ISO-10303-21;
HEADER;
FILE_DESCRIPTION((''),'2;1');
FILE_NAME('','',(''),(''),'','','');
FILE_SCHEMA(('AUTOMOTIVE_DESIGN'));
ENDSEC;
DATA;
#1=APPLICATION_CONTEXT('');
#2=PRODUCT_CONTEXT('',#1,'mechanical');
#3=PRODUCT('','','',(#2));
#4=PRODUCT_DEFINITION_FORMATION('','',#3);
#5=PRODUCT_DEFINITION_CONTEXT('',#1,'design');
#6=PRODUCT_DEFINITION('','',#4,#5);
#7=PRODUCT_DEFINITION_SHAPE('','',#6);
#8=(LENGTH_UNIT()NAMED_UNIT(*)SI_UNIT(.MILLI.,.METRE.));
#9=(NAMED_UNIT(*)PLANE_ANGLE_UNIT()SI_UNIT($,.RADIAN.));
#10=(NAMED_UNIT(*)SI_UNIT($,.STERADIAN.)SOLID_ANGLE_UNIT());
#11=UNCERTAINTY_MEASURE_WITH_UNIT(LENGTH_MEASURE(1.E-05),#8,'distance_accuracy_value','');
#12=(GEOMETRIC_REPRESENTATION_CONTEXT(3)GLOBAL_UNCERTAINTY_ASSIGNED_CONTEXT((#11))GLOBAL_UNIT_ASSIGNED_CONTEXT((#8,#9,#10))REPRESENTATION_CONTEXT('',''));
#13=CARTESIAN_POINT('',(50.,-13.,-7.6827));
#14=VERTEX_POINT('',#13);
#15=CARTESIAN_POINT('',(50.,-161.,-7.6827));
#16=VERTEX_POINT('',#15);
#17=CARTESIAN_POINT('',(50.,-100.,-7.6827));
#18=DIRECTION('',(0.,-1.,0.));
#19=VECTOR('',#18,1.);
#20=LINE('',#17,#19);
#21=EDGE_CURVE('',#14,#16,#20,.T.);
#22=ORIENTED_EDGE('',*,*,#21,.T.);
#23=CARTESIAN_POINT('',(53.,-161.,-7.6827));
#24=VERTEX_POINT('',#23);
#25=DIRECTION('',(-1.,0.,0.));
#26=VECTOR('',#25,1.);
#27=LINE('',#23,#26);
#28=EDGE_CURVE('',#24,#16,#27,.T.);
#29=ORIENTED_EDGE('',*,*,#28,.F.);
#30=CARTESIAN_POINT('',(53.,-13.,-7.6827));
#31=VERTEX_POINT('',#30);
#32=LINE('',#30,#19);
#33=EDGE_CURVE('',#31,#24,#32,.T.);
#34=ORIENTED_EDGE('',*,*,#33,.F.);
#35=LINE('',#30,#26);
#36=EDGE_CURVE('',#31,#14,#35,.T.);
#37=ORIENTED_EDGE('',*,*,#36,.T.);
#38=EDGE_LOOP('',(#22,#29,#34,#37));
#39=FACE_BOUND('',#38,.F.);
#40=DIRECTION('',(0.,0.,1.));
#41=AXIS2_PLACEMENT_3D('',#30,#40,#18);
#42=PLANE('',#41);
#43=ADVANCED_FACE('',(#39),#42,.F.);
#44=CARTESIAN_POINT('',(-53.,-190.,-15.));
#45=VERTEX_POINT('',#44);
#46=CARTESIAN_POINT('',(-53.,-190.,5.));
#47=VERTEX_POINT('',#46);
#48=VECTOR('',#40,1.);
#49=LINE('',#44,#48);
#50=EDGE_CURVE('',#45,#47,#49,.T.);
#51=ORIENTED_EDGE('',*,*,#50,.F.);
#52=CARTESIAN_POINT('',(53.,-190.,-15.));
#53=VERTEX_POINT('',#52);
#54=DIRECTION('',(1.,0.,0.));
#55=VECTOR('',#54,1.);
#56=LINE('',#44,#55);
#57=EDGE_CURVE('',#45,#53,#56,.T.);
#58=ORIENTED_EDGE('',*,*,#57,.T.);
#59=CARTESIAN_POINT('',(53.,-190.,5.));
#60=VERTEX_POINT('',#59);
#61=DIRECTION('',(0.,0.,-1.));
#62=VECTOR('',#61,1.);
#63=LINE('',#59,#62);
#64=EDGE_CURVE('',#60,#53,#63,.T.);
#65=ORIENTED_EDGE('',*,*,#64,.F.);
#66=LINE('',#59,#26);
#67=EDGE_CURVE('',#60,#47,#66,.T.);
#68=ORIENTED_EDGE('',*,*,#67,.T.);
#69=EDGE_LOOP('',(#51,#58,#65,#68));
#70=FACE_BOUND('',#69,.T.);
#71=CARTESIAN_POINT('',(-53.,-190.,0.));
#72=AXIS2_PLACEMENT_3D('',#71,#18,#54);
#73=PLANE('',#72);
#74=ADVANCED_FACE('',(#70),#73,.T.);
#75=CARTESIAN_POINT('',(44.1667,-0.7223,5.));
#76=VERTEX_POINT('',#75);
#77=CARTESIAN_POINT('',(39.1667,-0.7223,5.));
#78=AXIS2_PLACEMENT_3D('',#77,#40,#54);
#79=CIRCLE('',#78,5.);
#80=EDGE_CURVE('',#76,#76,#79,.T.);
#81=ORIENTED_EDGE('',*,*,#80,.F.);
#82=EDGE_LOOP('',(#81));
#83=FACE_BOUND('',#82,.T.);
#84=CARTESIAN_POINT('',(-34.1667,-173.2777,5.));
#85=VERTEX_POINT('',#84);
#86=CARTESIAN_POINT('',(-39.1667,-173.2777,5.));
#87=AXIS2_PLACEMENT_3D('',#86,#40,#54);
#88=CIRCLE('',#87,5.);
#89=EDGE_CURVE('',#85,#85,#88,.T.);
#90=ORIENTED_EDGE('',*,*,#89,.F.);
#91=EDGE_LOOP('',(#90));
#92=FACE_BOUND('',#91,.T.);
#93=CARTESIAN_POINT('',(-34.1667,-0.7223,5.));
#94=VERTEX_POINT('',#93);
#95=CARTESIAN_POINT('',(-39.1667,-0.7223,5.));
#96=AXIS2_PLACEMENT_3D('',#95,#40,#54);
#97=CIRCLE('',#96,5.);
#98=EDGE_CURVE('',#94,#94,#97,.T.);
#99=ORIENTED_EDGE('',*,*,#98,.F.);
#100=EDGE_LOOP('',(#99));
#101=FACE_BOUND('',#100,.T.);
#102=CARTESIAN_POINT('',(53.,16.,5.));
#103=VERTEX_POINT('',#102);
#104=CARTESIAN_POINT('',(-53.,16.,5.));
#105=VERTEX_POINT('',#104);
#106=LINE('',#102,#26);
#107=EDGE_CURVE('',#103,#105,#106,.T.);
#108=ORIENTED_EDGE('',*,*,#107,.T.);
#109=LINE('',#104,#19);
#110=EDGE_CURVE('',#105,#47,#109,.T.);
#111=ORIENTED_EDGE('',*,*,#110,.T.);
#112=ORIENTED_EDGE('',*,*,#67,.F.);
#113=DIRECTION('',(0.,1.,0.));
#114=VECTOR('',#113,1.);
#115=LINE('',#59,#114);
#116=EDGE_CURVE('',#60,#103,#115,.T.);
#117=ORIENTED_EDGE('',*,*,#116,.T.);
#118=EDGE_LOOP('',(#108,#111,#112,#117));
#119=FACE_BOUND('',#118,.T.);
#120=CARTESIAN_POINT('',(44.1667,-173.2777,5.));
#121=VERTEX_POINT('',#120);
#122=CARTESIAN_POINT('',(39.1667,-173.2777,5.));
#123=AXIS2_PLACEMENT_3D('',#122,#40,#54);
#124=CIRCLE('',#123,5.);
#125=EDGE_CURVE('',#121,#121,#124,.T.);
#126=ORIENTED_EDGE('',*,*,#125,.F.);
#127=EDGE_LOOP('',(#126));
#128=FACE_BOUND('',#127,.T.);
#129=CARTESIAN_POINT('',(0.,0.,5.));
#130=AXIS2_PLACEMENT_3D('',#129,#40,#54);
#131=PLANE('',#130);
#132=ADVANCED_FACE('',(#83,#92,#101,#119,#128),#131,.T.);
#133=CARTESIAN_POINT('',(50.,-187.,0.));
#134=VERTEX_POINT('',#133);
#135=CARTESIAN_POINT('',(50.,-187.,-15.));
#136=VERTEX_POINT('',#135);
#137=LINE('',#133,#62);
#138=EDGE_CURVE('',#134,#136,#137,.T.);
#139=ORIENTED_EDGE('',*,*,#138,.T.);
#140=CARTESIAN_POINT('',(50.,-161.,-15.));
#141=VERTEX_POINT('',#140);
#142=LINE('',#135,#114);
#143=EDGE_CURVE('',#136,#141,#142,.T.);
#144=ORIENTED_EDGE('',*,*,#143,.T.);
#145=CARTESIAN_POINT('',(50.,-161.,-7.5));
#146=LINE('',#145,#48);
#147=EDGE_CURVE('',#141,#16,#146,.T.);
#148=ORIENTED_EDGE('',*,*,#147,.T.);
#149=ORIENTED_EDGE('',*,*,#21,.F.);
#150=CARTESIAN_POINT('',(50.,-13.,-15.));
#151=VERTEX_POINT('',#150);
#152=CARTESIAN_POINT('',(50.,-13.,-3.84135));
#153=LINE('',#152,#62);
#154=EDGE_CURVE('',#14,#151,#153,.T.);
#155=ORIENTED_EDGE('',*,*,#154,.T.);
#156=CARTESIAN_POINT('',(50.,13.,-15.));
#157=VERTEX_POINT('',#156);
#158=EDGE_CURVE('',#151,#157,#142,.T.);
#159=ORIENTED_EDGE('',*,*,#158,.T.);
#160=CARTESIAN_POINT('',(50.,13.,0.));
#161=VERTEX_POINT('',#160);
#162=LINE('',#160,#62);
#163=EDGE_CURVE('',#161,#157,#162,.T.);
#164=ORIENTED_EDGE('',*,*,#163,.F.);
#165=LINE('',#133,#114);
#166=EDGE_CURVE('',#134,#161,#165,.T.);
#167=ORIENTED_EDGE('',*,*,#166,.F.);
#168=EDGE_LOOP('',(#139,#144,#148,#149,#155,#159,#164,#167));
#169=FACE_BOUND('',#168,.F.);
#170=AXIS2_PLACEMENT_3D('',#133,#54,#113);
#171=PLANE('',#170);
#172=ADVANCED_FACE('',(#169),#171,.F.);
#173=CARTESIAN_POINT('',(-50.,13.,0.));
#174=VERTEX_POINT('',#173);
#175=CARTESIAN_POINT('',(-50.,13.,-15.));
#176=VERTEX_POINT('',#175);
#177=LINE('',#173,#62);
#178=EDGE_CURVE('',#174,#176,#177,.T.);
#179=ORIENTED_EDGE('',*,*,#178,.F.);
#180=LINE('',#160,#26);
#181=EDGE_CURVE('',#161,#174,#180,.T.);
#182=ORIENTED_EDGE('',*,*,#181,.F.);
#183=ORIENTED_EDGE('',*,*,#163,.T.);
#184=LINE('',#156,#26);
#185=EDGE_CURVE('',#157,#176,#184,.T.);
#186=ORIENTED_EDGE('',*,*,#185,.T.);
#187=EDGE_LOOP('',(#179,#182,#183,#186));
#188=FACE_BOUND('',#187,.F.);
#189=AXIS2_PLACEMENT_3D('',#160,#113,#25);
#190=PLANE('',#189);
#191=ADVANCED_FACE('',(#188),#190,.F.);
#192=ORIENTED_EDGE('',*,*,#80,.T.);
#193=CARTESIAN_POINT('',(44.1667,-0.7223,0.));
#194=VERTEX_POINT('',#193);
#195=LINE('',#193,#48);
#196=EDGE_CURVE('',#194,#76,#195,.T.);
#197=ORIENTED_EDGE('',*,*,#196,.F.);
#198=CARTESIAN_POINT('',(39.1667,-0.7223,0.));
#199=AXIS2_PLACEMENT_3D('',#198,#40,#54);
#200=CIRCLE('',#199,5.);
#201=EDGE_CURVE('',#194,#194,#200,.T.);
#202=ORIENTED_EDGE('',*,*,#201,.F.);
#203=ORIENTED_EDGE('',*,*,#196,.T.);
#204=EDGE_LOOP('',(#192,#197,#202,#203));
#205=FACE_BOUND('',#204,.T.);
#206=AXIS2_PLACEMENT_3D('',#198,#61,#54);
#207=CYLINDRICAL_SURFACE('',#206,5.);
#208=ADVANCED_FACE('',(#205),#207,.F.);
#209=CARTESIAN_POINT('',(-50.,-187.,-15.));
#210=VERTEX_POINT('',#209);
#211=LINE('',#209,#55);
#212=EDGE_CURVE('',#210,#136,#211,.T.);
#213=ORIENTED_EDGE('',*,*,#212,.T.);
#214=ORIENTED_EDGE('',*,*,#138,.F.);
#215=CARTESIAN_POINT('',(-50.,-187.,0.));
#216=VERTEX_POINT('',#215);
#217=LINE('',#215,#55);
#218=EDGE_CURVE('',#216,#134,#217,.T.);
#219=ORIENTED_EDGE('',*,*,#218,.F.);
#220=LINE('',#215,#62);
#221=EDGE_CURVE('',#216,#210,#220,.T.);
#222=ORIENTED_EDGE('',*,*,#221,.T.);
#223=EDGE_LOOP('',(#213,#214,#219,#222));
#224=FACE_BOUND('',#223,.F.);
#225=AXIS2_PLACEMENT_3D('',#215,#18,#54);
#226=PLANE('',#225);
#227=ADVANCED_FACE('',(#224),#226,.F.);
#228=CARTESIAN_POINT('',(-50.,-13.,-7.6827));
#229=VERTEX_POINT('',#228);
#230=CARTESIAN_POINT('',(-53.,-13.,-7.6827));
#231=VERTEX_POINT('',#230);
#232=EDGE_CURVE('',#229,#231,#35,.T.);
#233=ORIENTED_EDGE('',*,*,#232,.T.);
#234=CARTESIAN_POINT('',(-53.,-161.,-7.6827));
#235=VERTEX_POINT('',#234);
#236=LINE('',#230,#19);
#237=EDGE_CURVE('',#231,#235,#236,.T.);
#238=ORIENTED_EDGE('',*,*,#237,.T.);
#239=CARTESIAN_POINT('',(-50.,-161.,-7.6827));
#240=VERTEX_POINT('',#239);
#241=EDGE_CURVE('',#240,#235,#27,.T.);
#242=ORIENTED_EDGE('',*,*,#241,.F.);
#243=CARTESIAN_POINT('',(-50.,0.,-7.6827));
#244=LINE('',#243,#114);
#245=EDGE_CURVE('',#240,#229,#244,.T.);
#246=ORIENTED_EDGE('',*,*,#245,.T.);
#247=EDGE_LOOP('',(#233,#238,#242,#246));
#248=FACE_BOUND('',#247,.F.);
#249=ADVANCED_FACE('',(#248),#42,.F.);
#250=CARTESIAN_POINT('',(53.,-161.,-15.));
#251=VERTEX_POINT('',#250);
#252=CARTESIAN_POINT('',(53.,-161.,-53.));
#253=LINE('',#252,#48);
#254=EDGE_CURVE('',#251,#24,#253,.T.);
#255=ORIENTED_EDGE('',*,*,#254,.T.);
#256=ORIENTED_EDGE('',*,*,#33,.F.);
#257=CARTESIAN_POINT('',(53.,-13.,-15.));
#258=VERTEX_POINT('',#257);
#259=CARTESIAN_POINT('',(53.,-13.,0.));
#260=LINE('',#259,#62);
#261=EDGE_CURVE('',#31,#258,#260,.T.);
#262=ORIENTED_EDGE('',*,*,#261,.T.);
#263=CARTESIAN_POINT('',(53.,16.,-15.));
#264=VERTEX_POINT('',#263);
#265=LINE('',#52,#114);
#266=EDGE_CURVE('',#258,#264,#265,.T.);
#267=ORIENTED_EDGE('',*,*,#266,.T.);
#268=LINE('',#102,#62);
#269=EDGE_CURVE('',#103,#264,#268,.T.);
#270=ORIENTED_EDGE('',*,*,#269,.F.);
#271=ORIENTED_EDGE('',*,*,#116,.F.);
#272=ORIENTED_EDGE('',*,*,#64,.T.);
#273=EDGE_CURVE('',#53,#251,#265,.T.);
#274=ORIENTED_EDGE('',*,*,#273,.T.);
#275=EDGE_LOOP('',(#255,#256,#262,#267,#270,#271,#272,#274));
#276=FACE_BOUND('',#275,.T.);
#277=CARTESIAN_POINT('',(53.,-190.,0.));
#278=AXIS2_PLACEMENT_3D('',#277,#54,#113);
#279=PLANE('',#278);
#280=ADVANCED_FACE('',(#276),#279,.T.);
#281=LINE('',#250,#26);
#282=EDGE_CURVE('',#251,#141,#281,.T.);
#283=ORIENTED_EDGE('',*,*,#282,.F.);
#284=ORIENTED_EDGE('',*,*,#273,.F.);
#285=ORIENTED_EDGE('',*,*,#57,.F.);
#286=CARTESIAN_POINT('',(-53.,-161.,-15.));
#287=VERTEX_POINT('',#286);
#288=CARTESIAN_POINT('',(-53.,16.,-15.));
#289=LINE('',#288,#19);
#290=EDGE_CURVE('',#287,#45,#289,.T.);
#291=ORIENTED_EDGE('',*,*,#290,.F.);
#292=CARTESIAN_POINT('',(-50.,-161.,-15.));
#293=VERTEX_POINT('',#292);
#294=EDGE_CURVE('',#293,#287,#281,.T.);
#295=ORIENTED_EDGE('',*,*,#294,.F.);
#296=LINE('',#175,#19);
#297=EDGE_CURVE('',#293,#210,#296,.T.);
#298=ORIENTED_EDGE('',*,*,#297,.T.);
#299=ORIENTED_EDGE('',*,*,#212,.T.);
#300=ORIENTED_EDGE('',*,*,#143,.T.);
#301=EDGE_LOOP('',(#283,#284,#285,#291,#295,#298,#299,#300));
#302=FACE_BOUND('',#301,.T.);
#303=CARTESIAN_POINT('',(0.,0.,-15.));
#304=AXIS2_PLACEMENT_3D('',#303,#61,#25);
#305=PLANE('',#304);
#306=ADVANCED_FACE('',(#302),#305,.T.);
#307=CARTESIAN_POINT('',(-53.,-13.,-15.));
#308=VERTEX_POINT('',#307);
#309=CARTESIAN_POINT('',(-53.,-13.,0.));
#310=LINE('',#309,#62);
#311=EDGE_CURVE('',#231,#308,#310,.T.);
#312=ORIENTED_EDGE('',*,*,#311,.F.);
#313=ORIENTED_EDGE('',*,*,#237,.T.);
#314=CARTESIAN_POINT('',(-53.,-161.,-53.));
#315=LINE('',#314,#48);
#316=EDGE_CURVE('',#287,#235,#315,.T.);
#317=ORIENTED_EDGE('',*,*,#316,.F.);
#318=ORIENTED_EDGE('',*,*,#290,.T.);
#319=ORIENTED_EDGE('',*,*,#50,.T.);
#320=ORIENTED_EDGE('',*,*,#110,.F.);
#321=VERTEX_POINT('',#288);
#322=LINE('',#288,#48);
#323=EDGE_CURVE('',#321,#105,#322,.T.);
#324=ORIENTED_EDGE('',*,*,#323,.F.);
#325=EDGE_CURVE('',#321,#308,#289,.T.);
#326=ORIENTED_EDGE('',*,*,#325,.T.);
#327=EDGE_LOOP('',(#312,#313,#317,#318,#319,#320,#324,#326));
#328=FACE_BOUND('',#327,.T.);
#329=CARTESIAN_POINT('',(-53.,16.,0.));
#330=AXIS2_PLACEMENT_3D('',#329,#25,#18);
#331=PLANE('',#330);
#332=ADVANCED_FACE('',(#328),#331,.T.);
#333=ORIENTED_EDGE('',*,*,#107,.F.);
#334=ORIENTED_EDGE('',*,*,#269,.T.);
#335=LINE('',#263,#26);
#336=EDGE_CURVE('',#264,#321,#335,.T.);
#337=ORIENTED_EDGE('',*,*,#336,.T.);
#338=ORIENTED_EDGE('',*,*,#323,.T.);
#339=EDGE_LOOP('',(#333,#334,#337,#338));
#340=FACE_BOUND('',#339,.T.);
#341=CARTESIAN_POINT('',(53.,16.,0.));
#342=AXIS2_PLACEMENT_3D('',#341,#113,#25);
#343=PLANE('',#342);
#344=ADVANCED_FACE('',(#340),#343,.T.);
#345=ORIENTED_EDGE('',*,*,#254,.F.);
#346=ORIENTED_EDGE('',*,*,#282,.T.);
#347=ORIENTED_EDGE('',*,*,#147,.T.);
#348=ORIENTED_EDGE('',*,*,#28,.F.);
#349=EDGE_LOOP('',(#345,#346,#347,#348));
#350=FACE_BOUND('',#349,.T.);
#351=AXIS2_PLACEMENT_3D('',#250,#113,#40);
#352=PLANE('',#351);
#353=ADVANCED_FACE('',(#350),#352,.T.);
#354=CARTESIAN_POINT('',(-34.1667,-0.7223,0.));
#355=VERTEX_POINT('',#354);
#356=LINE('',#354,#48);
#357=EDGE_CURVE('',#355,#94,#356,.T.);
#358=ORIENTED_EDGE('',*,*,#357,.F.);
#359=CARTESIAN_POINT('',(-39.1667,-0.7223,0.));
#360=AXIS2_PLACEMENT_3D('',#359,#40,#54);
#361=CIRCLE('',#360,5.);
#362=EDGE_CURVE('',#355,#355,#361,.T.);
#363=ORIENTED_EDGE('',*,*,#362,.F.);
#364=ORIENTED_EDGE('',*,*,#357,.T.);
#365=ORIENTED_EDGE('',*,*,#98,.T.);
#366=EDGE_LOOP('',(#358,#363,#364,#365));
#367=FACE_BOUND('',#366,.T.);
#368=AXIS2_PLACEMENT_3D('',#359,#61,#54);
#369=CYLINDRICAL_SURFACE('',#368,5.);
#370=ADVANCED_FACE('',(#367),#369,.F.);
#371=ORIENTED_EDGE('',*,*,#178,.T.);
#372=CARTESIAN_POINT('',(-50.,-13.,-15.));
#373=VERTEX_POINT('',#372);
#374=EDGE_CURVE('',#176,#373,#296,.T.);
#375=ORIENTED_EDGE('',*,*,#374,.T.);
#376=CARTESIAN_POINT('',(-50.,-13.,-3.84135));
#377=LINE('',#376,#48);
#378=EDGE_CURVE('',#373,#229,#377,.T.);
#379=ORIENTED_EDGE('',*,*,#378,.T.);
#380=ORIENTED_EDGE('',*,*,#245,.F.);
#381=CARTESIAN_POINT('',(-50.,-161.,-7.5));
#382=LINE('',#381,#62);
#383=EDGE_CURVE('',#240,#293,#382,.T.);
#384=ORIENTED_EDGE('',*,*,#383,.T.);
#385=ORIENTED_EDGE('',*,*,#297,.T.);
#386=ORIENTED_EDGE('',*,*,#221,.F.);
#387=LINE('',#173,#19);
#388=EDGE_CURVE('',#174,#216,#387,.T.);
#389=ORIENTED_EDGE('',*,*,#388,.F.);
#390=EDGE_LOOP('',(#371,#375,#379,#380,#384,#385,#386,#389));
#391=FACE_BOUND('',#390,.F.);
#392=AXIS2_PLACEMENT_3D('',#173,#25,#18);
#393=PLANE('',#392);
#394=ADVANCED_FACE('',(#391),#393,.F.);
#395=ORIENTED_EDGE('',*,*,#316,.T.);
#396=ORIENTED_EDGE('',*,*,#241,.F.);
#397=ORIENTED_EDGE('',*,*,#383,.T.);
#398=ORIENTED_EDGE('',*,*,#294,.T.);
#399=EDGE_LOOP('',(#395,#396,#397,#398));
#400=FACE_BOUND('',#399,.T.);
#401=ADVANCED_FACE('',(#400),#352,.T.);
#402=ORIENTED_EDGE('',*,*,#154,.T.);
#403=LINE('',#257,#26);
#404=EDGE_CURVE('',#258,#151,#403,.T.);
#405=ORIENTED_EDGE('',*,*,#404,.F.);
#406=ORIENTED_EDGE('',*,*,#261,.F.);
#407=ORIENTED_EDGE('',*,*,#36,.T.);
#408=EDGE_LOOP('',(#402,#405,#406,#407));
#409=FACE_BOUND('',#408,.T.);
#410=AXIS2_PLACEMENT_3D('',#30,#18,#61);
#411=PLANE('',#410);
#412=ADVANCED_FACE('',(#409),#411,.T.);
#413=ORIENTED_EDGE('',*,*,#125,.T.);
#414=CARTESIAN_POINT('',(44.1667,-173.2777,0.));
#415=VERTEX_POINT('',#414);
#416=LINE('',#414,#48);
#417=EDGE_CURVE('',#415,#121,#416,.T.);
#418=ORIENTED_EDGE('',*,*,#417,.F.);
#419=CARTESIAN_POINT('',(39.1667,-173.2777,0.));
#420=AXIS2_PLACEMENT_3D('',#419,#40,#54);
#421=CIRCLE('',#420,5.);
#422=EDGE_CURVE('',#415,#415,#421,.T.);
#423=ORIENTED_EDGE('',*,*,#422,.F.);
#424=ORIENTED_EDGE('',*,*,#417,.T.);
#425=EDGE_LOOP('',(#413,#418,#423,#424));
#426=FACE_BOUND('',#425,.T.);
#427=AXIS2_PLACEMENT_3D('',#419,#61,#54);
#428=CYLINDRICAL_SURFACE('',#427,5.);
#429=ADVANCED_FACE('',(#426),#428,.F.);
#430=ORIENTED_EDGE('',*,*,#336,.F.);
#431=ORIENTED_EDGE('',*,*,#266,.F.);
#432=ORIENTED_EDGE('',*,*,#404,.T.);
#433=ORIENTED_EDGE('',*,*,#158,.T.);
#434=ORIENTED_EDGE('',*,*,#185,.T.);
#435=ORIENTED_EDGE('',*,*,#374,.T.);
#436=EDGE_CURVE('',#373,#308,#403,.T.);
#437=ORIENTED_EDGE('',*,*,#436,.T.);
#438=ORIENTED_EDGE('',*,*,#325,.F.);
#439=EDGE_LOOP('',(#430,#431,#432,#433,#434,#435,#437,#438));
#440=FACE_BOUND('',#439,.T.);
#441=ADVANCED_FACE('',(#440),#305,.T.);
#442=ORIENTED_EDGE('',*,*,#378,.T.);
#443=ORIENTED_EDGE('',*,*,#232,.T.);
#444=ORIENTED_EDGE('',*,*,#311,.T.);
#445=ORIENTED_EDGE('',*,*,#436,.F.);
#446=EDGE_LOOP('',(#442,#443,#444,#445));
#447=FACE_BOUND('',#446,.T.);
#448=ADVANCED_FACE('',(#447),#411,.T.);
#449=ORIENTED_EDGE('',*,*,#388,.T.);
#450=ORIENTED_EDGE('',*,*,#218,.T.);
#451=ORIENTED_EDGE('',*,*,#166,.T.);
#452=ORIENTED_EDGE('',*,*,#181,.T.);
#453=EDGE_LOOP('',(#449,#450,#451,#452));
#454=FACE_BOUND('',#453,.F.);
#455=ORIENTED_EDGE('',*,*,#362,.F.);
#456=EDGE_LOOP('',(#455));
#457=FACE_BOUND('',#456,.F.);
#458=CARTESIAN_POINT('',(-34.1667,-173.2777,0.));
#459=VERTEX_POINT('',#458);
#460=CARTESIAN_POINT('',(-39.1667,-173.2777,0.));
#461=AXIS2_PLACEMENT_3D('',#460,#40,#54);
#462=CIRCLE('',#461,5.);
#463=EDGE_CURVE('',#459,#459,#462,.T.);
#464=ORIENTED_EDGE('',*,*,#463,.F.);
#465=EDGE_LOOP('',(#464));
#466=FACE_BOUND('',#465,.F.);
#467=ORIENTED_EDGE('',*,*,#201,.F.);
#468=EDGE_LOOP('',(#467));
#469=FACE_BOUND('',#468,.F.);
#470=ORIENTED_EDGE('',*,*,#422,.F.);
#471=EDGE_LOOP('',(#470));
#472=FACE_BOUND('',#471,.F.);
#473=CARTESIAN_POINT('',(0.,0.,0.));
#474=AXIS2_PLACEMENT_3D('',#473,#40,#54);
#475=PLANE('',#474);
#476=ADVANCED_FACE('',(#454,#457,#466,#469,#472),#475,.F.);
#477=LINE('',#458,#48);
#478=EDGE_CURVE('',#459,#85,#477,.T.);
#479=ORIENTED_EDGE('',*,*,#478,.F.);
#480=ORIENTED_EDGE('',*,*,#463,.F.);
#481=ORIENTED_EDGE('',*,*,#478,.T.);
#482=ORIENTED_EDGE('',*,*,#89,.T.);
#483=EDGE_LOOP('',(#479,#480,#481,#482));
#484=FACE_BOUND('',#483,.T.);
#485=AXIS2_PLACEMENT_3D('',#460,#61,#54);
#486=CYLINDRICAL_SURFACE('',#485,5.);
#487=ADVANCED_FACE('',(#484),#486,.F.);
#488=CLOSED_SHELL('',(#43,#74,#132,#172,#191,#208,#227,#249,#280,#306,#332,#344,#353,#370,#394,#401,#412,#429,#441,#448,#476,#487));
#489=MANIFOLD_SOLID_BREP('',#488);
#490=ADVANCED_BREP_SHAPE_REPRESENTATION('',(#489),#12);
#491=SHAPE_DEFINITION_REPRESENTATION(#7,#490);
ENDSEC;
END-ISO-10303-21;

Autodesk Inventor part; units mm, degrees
ref_plane "YZ Plane" through (0, 0, 0) normal (1, 0, 0) x (0, 1, 0)
ref_plane "XZ Plane" through (0, 0, 0) normal (0, 1, 0) x (-1, 0, 0)
ref_plane "Work Plane1" through (0, 0, 0) normal (0, 0, 1) x (1, 0, 0)
sketch "Sketch1" plane through (0, 0, 0) normal (0, 0, 1) x (1, 0, 0)
  circle A0 centre (39.1667, -0.7223) radius 5 projected
  circle A1 centre (-39.1667, -0.7223) radius 5 projected
  line L0 (-50, -13) -> (-28.3333, -13) projected
  line L1 (-28.3333, -13) -> (-28.3333, 10) projected
  line L2 (-28.3333, 10) -> (28.3333, 10) projected
  line L3 (28.3333, -13) -> (28.3333, 10) projected
  line L4 (28.3333, -13) -> (50, -13) projected
  line L5 (50, -13) -> (50, 13) projected
  line L6 (50, 13) -> (-50, 13) projected
  line L7 (-50, 13) -> (-50, -13) projected
  line L8 (28.3333, -161) -> (31.3333, -161) projected
  line L9 (31.3333, -161) -> (31.3333, -13) projected
  line L10 (31.3333, -13) -> (28.3333, -13) projected
  line L11 (28.3333, -13) -> (28.3333, -161) projected
  circle A2 centre (39.1667, -173.2777) radius 5 projected
  circle A3 centre (-39.1667, -173.2777) radius 5 projected
  line L12 (50, -161) -> (28.3333, -161) projected
  line L13 (28.3333, -161) -> (28.3333, -184) projected
  line L14 (28.3333, -184) -> (-28.3333, -184) projected
  line L15 (-28.3333, -161) -> (-28.3333, -184) projected
  line L16 (-28.3333, -161) -> (-50, -161) projected
  line L17 (-50, -161) -> (-50, -187) projected
  line L18 (-50, -187) -> (50, -187) projected
  line L19 (50, -187) -> (50, -161) projected
  line L20 (-31.3333, -161) -> (-28.3333, -161) projected
  line L21 (-28.3333, -161) -> (-28.3333, -13) projected
  line L22 (-28.3333, -13) -> (-31.3333, -13) projected
  line L23 (-31.3333, -13) -> (-31.3333, -161) projected
  line L24 (-31.3333, -161) -> (-28.3333, -161) projected
  line L25 (-28.3333, -161) -> (-28.3333, -13) projected
  line L26 (-28.3333, -13) -> (-31.3333, -13) projected
  line L27 (-31.3333, -13) -> (-31.3333, -161) projected
  line L28 (53, 16) -> (-53, 16)
  line L29 (-53, 16) -> (-53, -187)
  line L30 (53, -187) -> (53, 16)
  line L31 (53, 16) -> (-53, -187) construction
  line L32 (-53, 16) -> (53, -187) construction
  line L33 (53, -187) -> (53, -190)
  line L34 (53, -190) -> (-53, -190)
  line L35 (-53, -190) -> (-53, -187)
  point P0 (0, 0)
  point P1 (0, -85.5)
  dimension "d0" = 106
  dimension "d1" = 203
  dimension "d2" = 3
extrude "Extrusion1" add sketch "Sketch1" along normal blind 5 contours L7 L6 L5 L4 L3 L2 L1 L0 | L0 L21 L16 L23 | L1 L2 L3 L11 L13 L14 L15 L21 | L16 L15 L14 L13 L8 L12 L19 L18 L17 | L9 L8 L11 L4 | L30 L33 L34 L35 L29 L28
sketch "Sketch2" plane through (0, 0, 0) normal (0, 0, -1) x (-1, 0, 0)
  line L0 (-53, 16) -> (53, 16) projected
  line L1 (-53, -190) -> (-53, 16) projected
  line L2 (53, -190) -> (-53, -190) projected
  line L3 (53, 16) -> (53, -190) projected
  line L4 (-50, 13) -> (50, 13)
  line L5 (50, 13) -> (50, -187)
  line L6 (50, -187) -> (-50, -187)
  line L7 (-50, -187) -> (-50, 13)
  point P0 (0, 0)
  dimension "d5" = 3
extrude "Extrusion2" add sketch "Sketch2" along normal blind 15
sketch "Sketch3" plane through (53, -190, 5) normal (1, 0, 0) x (0, 0, -1)
  line L0 (0, 206) -> (20, 206) projected
  line L1 (0, 0) -> (0, 206) projected
  line L2 (20, 0) -> (0, 0) projected
  line L3 (20, 206) -> (20, 0) projected
  point P0 (5, 190)
sketch "Sketch4" plane through (53, -190, 5) normal (1, 0, 0) x (0, 0, -1)
  line L0 (0, 0) -> (0, 206) projected
  line L1 (20, 206) -> (20, 0) projected
  line L2 (5, 177) -> (58, 177) projected
  line L3 (20, 177) -> (0, 177)
  line L4 (58, 29) -> (5, 29) projected
  line L5 (20, 29) -> (0, 29)
  line L6 (12.6827, 177) -> (12.6827, 29)
  point P0 (5, 190)
extrude "Extrusion3" cut sketch "Sketch4" against normal up to surface (106 mm away) contours L6 L2 L1 L4
properties part number "bawah"
